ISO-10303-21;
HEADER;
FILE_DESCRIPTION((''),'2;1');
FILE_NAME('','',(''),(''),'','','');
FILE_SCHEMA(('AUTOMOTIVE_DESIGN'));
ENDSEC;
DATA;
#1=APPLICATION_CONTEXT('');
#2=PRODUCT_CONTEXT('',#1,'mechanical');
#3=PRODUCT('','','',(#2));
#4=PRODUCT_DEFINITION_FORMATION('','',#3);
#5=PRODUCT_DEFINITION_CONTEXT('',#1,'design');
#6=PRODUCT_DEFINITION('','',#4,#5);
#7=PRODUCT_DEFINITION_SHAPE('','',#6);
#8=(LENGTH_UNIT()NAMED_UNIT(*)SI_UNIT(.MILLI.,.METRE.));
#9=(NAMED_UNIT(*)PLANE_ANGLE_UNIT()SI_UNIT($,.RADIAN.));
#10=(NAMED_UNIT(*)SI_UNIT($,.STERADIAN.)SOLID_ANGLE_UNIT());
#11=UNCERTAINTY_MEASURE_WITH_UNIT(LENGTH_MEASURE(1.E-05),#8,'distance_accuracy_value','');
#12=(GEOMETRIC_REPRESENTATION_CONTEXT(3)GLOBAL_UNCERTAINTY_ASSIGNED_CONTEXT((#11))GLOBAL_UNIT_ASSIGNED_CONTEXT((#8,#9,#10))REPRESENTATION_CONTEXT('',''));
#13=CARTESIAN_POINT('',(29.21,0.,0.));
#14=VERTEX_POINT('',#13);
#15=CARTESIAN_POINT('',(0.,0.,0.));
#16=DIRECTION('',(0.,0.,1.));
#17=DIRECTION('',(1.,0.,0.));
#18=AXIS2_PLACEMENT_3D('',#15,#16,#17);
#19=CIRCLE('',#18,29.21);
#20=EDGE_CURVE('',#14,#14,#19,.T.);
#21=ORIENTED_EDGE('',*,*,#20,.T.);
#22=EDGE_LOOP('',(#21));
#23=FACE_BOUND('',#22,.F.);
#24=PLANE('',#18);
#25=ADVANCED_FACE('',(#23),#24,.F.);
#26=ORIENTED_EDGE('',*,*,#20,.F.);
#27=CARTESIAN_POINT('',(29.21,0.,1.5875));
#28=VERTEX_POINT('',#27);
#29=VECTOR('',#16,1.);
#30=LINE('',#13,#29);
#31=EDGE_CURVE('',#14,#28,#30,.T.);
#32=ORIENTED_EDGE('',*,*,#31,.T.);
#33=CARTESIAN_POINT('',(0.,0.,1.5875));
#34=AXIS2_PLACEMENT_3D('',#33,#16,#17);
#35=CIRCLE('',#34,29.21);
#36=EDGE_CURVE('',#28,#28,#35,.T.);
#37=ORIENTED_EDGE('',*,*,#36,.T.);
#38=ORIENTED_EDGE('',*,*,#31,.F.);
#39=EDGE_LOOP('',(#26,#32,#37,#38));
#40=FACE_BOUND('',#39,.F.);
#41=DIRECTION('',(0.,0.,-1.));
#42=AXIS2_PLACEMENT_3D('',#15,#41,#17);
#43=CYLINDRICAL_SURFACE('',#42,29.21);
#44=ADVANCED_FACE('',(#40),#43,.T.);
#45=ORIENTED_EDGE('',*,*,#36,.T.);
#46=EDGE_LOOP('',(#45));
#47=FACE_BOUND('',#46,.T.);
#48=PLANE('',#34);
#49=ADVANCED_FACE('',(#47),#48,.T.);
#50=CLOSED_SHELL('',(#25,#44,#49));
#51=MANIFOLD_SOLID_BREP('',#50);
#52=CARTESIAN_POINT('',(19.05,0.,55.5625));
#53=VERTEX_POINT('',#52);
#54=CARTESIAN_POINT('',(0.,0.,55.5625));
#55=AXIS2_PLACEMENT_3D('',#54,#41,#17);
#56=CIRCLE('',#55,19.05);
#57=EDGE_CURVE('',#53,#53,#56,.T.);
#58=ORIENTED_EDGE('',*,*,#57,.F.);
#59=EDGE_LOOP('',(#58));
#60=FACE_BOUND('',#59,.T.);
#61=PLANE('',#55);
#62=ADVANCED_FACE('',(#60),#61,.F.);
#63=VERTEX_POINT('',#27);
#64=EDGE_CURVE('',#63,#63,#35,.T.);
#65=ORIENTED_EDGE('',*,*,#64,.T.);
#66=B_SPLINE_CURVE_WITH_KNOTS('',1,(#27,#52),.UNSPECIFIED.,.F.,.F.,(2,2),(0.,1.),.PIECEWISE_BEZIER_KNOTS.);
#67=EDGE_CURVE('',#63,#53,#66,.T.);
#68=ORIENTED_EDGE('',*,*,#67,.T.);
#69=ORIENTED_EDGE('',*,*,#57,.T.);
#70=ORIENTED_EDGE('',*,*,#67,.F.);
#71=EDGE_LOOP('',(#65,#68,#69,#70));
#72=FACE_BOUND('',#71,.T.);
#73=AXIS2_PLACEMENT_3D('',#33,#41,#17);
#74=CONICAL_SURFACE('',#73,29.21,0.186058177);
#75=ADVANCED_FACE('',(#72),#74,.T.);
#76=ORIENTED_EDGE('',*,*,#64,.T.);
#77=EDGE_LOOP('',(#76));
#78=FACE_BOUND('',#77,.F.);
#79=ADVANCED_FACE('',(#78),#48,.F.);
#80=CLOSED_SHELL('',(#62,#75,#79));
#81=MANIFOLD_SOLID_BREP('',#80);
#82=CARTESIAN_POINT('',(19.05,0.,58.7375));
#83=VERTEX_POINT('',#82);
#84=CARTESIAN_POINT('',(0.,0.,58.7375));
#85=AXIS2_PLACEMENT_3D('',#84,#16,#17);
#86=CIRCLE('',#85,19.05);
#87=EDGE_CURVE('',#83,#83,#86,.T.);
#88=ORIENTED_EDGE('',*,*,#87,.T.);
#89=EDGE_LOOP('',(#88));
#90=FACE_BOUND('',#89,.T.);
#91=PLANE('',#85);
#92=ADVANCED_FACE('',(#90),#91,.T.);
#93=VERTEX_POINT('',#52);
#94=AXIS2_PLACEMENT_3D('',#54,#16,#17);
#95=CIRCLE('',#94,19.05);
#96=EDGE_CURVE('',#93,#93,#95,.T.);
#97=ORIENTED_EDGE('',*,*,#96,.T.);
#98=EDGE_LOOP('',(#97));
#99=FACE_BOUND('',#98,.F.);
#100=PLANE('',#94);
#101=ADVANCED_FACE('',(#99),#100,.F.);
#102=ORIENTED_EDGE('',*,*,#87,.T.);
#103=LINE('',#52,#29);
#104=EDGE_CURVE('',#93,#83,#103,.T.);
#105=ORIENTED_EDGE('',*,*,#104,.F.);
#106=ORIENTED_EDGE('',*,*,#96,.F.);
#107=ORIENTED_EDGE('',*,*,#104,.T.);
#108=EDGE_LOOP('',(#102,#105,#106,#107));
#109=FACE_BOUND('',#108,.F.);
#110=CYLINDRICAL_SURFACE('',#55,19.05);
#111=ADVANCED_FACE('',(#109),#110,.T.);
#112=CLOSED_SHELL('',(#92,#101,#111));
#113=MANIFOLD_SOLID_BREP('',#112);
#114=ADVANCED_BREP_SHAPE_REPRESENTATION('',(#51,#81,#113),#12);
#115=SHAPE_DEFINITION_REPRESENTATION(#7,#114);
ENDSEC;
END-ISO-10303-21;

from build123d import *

# Parameters (mm, degrees)
F0_R      = 29.21
F1_DEPTH  = 1.5875
F3_R      = 19.05
F4_DEPTH  = 3.175
F1_FACE_R = 29.21
F4_FACE_R = 19.05


with BuildPart() as f1:
    # F0 (on Top) → F1 (new body)
    with BuildSketch(Plane.XY):
        Circle(F0_R)
    extrude(amount=F1_DEPTH)


with BuildPart() as f4:
    # F3 (on offset) → F4 (new body)
    with BuildSketch(Plane.XY.offset(55.5625)):
        Circle(F3_R)
    extrude(amount=F4_DEPTH)


with BuildPart() as f5:
    # F1_face (on face) → F5 section 0
    with BuildSketch(Plane.XY.offset(1.5875)):
        Circle(F1_FACE_R)
    # F4_face (on face) → F5 section 1
    with BuildSketch(Plane(origin=(0, 0, 55.5625), x_dir=(1, 0, 0), z_dir=(0, 0, -1))):
        Circle(F4_FACE_R)
    loft()


solid = Compound([f1.part, f4.part, f5.part])
